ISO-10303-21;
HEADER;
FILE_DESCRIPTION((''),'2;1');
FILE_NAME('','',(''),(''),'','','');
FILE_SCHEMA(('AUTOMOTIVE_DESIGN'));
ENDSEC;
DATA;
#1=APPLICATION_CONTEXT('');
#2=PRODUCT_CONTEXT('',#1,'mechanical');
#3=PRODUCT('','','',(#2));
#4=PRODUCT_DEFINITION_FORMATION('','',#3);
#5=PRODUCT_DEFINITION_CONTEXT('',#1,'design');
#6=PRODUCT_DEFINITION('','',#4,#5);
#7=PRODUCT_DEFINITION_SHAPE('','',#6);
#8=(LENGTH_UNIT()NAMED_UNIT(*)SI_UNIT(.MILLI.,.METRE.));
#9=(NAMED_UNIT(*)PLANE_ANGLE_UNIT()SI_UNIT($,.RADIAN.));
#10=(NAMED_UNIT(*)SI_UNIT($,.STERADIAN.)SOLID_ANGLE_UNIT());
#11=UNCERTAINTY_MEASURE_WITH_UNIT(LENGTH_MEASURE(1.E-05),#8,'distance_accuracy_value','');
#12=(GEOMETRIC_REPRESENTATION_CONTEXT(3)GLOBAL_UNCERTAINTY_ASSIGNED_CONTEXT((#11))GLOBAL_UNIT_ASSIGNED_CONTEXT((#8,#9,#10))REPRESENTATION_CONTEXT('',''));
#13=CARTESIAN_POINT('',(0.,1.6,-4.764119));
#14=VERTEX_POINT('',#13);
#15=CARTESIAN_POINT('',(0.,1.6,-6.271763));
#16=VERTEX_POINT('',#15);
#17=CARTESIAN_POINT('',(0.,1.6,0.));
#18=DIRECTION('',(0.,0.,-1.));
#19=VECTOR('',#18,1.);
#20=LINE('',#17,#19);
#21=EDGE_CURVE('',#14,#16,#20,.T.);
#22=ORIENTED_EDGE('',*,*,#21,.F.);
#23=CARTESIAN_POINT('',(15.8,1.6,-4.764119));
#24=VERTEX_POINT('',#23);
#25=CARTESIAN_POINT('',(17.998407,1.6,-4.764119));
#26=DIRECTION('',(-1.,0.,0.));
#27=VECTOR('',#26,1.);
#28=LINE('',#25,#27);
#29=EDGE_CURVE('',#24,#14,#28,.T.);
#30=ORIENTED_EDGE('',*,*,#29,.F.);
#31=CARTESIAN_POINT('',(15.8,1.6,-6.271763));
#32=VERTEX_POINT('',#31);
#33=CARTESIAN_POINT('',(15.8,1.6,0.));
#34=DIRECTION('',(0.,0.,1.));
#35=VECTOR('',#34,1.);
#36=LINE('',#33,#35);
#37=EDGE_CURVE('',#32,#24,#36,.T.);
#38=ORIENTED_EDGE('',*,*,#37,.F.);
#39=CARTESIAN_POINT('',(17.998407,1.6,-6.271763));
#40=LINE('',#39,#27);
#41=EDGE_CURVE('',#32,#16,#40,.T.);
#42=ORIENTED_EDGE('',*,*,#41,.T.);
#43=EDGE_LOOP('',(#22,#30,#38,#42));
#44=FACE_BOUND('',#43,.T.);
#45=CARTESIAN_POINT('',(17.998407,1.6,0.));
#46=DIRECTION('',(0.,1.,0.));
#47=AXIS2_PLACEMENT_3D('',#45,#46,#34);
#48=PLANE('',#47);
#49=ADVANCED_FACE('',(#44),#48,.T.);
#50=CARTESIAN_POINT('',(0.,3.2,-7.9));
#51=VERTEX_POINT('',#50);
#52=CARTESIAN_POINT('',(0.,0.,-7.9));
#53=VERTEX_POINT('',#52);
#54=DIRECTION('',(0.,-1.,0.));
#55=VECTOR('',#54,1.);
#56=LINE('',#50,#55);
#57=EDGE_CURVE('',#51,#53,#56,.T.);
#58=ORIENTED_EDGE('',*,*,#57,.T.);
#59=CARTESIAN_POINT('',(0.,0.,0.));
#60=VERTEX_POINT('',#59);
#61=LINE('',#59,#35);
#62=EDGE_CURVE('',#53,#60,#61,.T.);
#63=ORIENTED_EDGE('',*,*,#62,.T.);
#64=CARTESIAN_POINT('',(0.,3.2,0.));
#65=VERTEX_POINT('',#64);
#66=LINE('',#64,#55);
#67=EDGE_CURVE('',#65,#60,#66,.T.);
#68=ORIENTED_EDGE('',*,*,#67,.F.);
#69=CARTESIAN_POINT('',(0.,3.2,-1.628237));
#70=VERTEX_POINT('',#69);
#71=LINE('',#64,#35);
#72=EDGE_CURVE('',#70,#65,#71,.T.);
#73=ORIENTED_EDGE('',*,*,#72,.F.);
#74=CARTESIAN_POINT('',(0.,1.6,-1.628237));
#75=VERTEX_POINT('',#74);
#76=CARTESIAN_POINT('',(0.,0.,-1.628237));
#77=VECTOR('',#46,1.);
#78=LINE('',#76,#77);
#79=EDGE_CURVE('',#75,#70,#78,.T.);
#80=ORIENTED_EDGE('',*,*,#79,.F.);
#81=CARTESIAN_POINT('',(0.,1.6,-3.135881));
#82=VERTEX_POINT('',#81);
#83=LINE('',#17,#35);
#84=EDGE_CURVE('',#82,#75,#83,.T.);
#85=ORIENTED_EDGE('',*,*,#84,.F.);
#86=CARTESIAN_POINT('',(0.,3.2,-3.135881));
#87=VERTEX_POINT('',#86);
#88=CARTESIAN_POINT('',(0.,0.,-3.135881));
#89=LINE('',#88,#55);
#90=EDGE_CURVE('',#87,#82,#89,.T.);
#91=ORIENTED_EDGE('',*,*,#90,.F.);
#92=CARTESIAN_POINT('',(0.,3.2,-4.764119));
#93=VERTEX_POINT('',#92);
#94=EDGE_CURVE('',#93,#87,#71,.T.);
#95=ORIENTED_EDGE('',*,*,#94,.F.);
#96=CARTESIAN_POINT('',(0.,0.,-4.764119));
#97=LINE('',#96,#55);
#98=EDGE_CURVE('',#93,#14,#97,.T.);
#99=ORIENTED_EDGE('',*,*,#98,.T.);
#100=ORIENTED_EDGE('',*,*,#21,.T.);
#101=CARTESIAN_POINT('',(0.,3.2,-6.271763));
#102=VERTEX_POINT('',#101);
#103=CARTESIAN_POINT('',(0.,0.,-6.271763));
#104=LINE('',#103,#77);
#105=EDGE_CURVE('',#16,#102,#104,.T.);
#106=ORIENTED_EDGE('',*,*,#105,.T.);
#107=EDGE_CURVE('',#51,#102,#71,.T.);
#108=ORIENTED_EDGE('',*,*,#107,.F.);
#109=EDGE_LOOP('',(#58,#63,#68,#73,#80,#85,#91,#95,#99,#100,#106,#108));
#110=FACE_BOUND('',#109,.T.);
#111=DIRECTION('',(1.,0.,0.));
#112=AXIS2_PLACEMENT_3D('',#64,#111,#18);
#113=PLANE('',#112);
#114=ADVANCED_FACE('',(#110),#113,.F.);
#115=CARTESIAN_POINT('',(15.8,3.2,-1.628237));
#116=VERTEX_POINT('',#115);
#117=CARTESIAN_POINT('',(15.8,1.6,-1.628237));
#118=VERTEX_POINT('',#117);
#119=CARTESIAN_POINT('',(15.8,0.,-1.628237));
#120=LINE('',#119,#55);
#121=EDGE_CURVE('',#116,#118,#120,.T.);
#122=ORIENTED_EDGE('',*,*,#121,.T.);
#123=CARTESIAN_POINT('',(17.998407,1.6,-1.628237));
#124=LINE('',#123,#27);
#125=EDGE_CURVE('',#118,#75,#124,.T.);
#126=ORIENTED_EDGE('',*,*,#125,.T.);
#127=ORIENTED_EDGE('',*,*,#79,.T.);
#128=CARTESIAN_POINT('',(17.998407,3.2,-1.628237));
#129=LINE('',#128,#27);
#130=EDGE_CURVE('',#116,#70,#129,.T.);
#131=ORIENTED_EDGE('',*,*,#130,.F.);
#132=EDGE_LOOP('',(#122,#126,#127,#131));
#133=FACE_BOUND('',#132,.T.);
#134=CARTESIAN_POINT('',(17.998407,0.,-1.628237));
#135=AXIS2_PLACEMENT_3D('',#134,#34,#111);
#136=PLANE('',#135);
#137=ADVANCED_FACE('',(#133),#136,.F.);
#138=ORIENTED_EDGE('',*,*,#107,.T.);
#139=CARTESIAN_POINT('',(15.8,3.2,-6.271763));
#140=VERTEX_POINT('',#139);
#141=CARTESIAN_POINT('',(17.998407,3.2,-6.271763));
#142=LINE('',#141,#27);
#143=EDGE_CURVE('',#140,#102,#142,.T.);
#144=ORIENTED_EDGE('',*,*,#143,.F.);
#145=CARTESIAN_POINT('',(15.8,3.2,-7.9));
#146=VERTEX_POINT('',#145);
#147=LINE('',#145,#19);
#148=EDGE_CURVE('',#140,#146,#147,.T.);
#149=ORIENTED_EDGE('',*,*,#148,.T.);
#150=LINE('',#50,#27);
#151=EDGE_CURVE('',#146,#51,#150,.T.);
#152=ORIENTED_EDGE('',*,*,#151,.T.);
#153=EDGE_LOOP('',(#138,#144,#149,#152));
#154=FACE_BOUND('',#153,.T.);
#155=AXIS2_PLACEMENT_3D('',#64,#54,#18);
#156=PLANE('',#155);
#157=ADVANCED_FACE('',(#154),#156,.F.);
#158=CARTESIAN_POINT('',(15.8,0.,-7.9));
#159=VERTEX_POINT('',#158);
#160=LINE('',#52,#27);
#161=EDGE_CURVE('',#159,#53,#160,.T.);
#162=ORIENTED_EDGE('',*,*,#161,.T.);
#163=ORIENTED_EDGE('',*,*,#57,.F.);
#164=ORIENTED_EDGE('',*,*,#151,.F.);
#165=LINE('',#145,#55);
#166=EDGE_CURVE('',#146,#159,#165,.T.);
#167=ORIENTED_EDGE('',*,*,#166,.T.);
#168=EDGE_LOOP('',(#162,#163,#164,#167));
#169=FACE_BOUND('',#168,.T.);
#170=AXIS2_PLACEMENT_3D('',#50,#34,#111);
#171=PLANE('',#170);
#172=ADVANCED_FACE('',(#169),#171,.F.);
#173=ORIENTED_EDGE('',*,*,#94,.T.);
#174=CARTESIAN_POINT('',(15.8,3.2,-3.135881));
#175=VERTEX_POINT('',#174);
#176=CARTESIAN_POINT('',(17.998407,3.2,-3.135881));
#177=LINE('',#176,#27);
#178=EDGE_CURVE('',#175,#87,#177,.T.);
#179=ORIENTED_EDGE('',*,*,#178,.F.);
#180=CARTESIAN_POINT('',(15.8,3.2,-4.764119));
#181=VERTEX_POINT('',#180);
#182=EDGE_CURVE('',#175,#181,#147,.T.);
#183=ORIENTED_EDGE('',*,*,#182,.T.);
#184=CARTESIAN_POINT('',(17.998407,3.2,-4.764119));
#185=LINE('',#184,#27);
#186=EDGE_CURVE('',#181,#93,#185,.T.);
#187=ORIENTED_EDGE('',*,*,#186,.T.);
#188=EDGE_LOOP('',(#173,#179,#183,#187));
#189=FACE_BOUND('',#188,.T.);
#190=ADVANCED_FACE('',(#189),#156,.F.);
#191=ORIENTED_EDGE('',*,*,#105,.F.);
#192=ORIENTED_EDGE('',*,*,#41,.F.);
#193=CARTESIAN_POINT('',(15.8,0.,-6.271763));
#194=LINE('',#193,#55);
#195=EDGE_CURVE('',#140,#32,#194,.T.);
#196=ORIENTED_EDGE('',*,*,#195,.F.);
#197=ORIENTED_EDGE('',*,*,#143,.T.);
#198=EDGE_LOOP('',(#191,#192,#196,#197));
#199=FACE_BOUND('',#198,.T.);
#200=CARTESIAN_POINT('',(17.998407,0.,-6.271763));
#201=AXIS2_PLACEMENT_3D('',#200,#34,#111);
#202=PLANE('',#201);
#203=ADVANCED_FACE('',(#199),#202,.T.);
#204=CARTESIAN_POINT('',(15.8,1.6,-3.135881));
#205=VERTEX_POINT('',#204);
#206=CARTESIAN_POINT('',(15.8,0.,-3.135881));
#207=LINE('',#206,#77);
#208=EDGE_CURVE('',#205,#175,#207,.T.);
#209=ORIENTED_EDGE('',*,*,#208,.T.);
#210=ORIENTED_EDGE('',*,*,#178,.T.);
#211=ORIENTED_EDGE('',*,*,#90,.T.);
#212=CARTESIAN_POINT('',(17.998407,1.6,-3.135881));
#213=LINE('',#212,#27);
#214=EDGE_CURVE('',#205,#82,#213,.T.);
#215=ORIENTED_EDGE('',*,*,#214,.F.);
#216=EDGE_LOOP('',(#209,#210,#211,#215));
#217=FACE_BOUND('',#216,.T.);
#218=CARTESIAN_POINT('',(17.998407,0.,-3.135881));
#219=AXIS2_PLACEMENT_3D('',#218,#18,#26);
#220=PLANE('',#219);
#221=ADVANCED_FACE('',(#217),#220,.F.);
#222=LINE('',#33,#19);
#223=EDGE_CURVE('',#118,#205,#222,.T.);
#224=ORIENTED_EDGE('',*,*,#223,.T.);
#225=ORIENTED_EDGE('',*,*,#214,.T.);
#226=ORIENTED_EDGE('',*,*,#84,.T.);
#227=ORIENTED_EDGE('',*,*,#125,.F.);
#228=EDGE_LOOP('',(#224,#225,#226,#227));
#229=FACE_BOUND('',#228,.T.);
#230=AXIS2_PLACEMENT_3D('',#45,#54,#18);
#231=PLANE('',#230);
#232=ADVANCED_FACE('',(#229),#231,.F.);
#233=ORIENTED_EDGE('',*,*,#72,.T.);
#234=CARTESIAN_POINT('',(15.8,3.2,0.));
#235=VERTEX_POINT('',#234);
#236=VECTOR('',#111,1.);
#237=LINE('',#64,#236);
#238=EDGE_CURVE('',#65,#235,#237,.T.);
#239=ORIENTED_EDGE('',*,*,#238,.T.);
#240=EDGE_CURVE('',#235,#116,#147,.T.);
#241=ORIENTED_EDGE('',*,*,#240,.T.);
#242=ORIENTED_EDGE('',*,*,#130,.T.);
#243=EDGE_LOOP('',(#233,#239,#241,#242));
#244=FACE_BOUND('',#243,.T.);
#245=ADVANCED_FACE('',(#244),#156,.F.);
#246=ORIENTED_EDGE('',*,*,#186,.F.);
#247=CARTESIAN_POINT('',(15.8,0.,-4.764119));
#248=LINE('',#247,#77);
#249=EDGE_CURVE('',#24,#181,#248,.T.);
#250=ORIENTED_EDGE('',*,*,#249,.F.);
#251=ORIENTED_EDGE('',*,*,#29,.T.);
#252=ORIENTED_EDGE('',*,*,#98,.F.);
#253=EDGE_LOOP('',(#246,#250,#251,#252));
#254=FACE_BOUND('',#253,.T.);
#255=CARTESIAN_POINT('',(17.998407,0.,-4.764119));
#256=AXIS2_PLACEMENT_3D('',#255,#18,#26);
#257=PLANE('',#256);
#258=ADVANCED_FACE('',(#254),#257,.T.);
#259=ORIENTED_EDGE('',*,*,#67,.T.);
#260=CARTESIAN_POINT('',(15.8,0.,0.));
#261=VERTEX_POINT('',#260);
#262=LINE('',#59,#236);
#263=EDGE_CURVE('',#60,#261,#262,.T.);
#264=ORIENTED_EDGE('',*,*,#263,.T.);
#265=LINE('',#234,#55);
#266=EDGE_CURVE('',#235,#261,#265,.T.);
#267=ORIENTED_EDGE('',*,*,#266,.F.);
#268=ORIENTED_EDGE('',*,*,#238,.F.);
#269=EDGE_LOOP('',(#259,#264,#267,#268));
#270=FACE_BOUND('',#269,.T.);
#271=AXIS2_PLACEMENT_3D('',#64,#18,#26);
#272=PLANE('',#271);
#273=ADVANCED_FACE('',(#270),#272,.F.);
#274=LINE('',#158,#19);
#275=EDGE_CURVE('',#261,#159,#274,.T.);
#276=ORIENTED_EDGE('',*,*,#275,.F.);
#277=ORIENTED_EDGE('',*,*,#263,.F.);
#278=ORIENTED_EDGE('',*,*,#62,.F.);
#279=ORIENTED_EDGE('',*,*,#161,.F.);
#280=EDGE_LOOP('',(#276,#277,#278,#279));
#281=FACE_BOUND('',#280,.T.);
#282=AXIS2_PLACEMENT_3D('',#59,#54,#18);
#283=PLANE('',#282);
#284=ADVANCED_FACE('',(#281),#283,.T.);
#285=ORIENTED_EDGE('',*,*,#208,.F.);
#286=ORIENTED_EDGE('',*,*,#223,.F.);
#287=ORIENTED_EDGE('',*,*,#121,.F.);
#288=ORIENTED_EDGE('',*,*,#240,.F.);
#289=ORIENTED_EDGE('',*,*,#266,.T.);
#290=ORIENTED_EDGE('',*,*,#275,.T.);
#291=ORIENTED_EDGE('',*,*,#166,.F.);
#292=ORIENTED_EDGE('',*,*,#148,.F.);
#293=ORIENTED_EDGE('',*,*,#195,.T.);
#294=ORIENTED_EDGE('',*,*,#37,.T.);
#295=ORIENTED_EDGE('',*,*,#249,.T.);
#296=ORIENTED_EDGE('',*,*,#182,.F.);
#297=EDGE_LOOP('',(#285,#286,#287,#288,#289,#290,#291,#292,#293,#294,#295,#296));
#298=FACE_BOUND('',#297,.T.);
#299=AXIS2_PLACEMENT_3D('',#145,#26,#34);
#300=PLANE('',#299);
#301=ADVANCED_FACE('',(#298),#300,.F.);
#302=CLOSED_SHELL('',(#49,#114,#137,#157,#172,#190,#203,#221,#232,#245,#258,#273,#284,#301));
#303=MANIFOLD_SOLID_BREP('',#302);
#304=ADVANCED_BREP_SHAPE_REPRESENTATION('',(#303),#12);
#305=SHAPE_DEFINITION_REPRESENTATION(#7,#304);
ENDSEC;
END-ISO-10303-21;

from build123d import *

# Parameters (mm, degrees)
SKETCH1_W           = 15.8
SKETCH1_H           = 7.9
BOSS_EXTRUDE1_DEPTH = 3.2
SKETCH2_W           = 1.507644264
SKETCH2_H           = 1.6
CUT_EXTRUDE1_DEPTH  = 15.8


with BuildPart() as part:
    # Sketch1 → Boss-Extrude1 (new body)
    with BuildSketch(Plane(origin=(0, 0, 0), x_dir=(1, 0, 0), z_dir=(0, 1, 0))):
        with Locations((7.9, 3.95)):
            Rectangle(SKETCH1_W, SKETCH1_H)
    extrude(amount=BOSS_EXTRUDE1_DEPTH)

    # Sketch2 → Cut-Extrude1 (cut)
    with BuildSketch(Plane.ZY):
        with Locations((-2.382059289, 2.4)):
            Rectangle(SKETCH2_W, SKETCH2_H)
        with Locations((-5.517940711, 2.4)):
            Rectangle(SKETCH2_W, SKETCH2_H)
    extrude(amount=-CUT_EXTRUDE1_DEPTH, mode=Mode.SUBTRACT)


solid = part.part
